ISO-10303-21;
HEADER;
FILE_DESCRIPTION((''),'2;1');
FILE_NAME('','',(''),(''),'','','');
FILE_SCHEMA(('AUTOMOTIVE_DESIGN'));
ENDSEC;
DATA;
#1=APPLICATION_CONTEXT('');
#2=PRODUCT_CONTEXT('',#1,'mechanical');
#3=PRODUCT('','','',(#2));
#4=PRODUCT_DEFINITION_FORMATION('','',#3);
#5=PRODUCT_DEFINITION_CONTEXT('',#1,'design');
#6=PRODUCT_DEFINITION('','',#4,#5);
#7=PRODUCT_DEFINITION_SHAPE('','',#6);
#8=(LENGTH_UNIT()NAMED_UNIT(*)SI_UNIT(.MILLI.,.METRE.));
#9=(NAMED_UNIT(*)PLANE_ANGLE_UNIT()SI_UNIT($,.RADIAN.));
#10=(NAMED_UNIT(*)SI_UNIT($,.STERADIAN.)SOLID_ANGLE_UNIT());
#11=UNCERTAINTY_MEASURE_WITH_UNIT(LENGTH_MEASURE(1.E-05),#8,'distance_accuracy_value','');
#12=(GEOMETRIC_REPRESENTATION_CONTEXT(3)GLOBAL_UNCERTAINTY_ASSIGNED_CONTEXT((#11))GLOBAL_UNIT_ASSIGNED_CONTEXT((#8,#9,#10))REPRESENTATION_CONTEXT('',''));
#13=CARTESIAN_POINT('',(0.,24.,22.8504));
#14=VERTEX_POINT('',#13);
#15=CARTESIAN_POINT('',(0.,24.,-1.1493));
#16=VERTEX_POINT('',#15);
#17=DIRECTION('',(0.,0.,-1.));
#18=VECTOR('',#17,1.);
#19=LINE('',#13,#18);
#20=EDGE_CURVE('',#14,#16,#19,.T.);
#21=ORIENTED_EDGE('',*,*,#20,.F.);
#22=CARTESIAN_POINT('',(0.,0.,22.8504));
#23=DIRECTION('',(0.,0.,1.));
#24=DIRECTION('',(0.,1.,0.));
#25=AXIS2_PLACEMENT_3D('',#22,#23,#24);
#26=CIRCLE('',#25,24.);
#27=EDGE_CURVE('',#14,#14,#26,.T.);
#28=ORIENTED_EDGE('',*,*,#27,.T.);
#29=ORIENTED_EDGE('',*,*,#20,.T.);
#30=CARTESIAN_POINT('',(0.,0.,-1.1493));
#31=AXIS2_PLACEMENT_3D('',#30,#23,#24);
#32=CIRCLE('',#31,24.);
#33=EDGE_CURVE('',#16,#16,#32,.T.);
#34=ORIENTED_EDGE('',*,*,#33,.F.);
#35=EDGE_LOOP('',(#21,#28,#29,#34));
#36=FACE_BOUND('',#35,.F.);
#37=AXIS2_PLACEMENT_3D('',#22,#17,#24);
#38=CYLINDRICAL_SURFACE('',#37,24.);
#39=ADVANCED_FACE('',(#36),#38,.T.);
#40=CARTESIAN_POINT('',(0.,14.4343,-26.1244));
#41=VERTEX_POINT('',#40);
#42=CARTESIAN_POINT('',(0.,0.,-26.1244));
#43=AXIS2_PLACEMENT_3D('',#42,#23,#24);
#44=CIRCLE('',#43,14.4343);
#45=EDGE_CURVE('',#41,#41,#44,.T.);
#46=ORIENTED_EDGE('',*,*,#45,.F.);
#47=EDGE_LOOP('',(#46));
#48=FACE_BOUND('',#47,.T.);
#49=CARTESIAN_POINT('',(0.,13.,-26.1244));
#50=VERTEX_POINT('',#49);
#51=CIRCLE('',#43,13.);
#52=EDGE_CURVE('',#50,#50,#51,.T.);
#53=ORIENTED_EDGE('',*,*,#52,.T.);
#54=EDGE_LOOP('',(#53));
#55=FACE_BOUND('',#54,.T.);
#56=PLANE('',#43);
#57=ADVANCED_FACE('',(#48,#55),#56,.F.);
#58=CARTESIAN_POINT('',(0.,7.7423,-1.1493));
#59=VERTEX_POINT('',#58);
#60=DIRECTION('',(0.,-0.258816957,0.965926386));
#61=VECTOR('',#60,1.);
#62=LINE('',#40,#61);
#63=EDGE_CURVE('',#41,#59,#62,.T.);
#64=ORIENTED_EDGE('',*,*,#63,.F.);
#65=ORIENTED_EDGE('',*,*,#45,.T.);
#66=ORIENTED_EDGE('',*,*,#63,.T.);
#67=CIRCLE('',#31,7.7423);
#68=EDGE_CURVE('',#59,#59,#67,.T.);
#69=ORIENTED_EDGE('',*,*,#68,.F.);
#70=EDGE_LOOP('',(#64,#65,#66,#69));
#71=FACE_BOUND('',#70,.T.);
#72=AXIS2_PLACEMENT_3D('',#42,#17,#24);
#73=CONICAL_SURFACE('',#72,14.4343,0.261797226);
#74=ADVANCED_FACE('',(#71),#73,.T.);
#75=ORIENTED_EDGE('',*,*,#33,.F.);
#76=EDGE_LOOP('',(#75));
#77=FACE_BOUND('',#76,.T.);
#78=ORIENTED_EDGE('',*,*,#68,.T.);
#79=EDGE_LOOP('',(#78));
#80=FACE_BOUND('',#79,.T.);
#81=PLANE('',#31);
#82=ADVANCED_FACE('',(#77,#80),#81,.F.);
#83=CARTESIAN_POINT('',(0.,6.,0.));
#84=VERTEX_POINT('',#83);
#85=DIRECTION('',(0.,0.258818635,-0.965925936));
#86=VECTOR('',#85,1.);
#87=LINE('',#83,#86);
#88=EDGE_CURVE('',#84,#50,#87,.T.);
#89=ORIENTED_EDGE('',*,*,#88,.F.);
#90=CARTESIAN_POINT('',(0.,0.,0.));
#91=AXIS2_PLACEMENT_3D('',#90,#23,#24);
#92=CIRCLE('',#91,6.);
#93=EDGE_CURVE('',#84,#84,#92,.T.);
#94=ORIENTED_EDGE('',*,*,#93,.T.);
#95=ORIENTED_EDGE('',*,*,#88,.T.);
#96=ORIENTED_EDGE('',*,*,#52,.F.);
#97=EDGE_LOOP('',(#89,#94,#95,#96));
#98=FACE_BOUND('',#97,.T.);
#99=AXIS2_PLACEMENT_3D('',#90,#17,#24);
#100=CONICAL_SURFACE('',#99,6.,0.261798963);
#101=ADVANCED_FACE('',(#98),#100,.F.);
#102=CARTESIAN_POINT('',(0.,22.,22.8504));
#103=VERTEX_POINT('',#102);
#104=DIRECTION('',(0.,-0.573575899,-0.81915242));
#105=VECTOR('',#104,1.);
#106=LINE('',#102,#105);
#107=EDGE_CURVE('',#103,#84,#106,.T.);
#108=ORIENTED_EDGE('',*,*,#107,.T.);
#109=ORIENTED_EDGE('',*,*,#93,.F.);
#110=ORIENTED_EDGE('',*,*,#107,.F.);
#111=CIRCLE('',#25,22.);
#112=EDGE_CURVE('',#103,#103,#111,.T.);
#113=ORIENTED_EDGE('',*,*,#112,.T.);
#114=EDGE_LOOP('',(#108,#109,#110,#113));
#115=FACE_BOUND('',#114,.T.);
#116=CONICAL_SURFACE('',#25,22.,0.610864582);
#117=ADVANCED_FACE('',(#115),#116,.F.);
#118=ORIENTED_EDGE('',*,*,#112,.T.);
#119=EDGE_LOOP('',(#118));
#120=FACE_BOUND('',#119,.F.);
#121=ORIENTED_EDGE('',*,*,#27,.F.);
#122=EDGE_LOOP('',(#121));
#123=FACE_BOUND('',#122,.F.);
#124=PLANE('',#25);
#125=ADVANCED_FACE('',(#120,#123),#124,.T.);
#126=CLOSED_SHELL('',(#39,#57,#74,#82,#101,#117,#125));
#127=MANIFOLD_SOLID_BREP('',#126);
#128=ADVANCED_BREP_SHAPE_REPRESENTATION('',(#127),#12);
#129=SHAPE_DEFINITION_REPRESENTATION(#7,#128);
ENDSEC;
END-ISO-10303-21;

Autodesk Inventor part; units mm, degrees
ref_plane "YZ Plane" through (0, 0, 0) normal (1, 0, 0) x (0, 1, 0)
ref_plane "XZ Plane" through (0, 0, 0) normal (0, 1, 0) x (-1, 0, 0)
ref_plane "XY Plane" through (0, 0, 0) normal (0, 0, 1) x (1, 0, 0)
sketch "Sketch1" plane through (0, 0, 0) normal (1, 0, 0) x (0, 1, 0)
  line L0 (22, 22.8504) -> (6, 0)
  line L1 (6, 0) -> (13, -26.1244)
  line L2 (13, -26.1244) -> (14.4343, -26.1244)
  line L3 (14.4343, -26.1244) -> (7.7423, -1.1493)
  line L4 (7.7423, -1.1493) -> (24, -1.1493)
  line L5 (22, 22.8504) -> (24, 22.8504)
  line L6 (24, 22.8504) -> (24, -1.1493)
  line L7 (0, 0) -> (6, 0) construction
  line L8 (0, 0) -> (0, 52.5591) construction
  dimension "d1" = 105
  dimension "d2" = 105
  dimension "d3" = 24
  dimension "d4" = 22
  dimension "d5" = 13
  dimension "d6" = 35
  dimension "d8" = 6
  dimension "d9" = 23.9997
  dimension "d10" = 7.181
  dimension "d11" = 29.7087
revolve "Revolution1" add sketch "Sketch1" angle 360 about axis through (0, 0, 0) along (0, 0, 1)
properties part number "nozzle"
